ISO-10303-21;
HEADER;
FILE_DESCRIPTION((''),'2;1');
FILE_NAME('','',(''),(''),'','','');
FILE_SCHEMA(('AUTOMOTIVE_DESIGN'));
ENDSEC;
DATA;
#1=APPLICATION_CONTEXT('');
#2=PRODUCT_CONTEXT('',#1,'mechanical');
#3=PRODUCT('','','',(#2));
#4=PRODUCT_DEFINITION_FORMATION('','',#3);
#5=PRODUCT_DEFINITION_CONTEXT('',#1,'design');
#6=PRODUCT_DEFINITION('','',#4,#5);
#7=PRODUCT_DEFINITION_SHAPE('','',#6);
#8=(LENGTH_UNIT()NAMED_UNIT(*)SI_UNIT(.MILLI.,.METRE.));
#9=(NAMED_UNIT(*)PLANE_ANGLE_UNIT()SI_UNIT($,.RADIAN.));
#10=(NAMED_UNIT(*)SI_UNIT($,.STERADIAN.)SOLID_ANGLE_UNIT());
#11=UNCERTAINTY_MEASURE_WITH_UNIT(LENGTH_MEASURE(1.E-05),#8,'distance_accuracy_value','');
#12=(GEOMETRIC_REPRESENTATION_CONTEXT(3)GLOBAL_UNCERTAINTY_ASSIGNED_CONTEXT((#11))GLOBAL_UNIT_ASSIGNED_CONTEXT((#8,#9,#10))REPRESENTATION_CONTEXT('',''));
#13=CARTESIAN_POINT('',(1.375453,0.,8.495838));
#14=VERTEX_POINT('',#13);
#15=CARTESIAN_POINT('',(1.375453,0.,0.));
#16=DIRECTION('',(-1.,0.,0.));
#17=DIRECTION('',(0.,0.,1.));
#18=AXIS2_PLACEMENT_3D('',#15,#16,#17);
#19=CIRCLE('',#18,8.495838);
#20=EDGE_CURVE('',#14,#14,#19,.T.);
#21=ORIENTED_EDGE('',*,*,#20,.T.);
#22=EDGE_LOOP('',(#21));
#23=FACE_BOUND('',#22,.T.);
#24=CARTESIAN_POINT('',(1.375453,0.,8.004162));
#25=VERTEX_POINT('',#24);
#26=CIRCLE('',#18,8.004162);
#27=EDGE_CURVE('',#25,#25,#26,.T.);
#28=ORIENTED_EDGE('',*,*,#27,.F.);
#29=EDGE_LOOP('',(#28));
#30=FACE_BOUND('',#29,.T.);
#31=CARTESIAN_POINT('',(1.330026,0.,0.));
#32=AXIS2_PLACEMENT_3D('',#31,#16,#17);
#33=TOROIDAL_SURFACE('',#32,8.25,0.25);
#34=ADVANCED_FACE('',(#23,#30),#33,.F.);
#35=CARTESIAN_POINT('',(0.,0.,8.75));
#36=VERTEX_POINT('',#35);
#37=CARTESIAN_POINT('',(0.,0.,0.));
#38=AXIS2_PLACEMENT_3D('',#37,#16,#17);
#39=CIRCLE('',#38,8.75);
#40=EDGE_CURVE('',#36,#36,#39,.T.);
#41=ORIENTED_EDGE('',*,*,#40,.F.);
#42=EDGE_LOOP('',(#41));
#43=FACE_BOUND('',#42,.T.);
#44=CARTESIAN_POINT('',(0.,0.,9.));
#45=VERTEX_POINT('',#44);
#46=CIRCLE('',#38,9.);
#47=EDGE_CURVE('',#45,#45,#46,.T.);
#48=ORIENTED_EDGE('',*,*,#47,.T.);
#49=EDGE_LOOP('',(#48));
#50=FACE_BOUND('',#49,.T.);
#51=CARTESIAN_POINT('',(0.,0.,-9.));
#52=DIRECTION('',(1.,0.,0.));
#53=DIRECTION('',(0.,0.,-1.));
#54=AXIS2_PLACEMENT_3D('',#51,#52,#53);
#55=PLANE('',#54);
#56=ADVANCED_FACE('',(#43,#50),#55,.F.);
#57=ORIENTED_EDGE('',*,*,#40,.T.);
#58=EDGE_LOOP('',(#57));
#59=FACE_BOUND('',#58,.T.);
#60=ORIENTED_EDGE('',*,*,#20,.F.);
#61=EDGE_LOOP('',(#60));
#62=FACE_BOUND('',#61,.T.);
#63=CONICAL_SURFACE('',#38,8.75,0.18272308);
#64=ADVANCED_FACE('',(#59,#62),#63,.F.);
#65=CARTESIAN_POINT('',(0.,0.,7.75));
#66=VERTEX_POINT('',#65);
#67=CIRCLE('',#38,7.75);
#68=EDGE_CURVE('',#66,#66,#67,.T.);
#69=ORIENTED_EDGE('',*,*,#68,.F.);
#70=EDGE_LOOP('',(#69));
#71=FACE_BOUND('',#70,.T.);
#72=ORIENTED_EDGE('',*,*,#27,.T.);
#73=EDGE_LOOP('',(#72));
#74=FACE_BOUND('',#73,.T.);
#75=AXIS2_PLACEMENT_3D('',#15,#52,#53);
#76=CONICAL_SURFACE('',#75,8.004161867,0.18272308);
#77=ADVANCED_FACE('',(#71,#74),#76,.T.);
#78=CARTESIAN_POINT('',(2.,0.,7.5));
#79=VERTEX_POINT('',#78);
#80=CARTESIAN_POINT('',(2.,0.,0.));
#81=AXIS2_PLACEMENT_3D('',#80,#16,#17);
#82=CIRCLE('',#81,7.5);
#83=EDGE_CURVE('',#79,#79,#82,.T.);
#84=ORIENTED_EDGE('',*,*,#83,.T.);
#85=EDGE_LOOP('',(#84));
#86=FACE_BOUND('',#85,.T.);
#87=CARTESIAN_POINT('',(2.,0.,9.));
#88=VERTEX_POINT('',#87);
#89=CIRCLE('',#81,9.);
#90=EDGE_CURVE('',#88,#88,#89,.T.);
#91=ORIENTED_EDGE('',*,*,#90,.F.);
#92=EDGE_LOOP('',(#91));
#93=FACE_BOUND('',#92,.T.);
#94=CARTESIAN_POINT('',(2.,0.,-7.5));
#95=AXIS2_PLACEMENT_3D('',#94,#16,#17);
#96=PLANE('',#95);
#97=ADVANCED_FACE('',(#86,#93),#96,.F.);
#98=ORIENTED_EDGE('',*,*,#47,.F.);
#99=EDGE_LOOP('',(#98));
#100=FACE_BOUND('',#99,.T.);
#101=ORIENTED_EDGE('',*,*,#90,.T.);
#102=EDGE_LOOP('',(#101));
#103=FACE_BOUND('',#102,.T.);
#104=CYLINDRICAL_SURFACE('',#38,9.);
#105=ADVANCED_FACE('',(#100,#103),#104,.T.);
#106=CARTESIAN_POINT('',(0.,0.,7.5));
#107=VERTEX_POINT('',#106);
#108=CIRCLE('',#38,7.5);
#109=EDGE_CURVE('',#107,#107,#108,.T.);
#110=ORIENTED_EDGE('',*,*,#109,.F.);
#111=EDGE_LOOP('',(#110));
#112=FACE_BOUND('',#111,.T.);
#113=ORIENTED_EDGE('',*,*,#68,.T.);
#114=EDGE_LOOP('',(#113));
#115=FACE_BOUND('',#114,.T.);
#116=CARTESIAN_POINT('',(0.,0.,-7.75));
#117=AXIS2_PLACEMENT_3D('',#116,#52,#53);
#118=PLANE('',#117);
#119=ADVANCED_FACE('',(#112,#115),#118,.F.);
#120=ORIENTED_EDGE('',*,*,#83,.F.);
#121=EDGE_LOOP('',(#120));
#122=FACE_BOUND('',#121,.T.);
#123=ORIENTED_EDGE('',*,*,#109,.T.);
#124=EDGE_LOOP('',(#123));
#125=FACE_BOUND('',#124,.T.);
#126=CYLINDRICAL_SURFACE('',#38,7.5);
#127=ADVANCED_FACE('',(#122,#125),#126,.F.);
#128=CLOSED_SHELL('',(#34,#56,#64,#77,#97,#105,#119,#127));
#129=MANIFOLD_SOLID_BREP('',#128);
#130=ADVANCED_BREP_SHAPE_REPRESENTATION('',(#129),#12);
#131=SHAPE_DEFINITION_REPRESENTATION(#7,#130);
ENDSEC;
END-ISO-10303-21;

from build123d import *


with BuildPart() as part:
    # Croquis1 → Revolución1 (revolve)
    with BuildSketch(Plane(origin=(0, 0, 0), x_dir=(1, 0, 0), z_dir=(0, 1, 0)), mode=Mode.PRIVATE) as revoluci_n1_sk:
        with BuildLine():
            Line((0, 7.5), (2, 7.5))
            Line((2, 7.5), (2, 9))
            Line((2, 9), (0, 9))
            Line((0, 9), (0, 8.75))
            Line((0, 8.75), (1.375452526, 8.495838133))
            ThreePointArc((1.375452526, 8.495838133), (1.580025529, 8.25), (1.375452526, 8.004161867))
            Line((1.375452526, 8.004161867), (0, 7.75))
            Line((0, 7.75), (0, 7.5))
        make_face()
    revolve(revoluci_n1_sk.sketch.rotate(Axis((0, 0, 0), (1, 0, 0)), 180), axis=Axis((0, 0, 0), (1, 0, 0)))


solid = part.part
